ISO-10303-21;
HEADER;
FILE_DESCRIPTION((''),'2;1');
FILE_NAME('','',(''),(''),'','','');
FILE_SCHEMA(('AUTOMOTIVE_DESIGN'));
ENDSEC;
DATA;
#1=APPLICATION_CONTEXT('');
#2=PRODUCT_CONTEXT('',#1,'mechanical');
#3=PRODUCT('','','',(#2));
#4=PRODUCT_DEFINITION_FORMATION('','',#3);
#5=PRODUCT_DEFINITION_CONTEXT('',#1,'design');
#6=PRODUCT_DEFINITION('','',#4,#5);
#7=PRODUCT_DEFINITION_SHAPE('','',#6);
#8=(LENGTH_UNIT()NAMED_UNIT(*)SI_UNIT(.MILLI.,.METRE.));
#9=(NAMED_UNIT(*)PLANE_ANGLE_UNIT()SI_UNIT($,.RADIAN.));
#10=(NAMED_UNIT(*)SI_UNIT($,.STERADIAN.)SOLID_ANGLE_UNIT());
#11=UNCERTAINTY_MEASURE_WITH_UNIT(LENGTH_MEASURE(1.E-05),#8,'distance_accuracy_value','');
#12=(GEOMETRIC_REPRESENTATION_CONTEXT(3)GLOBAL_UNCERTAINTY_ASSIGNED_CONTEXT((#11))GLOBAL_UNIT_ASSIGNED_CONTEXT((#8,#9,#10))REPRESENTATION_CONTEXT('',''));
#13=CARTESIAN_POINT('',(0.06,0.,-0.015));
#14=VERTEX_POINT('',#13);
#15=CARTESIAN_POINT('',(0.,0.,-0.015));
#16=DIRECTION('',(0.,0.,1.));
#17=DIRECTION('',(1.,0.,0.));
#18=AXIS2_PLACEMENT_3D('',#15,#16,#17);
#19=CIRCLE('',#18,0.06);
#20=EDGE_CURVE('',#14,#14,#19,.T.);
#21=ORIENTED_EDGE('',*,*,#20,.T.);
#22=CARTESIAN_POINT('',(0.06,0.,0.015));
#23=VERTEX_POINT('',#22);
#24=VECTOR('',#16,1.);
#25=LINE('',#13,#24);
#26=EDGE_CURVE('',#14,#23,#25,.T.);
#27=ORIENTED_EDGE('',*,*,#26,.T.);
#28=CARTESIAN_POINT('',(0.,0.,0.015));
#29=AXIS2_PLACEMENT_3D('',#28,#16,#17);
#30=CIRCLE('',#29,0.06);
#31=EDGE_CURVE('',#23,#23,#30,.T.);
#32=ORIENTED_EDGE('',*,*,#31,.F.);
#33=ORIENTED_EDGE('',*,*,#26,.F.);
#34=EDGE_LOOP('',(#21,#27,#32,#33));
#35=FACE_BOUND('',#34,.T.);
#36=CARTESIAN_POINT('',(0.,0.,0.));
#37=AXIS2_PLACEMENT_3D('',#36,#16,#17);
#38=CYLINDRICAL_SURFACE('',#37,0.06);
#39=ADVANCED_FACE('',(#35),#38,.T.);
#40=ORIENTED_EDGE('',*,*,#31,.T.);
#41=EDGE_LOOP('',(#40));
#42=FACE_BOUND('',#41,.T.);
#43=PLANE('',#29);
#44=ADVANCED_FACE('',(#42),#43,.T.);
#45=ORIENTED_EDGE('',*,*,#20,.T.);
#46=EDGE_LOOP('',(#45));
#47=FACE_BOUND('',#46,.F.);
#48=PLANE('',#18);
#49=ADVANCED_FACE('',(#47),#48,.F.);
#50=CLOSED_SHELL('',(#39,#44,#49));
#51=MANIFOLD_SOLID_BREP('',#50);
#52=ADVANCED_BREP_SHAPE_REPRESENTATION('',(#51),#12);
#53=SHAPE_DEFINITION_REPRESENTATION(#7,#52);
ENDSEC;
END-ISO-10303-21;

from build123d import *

# Parameters (mm, degrees)
SKETCH_R  = 0.06
PAD_DEPTH = 0.015


with BuildPart() as part:
    # Sketch → Pad (new body, symmetric)
    with BuildSketch(Plane.XY):
        Circle(SKETCH_R)
    extrude(amount=PAD_DEPTH, both=True)


solid = part.part
